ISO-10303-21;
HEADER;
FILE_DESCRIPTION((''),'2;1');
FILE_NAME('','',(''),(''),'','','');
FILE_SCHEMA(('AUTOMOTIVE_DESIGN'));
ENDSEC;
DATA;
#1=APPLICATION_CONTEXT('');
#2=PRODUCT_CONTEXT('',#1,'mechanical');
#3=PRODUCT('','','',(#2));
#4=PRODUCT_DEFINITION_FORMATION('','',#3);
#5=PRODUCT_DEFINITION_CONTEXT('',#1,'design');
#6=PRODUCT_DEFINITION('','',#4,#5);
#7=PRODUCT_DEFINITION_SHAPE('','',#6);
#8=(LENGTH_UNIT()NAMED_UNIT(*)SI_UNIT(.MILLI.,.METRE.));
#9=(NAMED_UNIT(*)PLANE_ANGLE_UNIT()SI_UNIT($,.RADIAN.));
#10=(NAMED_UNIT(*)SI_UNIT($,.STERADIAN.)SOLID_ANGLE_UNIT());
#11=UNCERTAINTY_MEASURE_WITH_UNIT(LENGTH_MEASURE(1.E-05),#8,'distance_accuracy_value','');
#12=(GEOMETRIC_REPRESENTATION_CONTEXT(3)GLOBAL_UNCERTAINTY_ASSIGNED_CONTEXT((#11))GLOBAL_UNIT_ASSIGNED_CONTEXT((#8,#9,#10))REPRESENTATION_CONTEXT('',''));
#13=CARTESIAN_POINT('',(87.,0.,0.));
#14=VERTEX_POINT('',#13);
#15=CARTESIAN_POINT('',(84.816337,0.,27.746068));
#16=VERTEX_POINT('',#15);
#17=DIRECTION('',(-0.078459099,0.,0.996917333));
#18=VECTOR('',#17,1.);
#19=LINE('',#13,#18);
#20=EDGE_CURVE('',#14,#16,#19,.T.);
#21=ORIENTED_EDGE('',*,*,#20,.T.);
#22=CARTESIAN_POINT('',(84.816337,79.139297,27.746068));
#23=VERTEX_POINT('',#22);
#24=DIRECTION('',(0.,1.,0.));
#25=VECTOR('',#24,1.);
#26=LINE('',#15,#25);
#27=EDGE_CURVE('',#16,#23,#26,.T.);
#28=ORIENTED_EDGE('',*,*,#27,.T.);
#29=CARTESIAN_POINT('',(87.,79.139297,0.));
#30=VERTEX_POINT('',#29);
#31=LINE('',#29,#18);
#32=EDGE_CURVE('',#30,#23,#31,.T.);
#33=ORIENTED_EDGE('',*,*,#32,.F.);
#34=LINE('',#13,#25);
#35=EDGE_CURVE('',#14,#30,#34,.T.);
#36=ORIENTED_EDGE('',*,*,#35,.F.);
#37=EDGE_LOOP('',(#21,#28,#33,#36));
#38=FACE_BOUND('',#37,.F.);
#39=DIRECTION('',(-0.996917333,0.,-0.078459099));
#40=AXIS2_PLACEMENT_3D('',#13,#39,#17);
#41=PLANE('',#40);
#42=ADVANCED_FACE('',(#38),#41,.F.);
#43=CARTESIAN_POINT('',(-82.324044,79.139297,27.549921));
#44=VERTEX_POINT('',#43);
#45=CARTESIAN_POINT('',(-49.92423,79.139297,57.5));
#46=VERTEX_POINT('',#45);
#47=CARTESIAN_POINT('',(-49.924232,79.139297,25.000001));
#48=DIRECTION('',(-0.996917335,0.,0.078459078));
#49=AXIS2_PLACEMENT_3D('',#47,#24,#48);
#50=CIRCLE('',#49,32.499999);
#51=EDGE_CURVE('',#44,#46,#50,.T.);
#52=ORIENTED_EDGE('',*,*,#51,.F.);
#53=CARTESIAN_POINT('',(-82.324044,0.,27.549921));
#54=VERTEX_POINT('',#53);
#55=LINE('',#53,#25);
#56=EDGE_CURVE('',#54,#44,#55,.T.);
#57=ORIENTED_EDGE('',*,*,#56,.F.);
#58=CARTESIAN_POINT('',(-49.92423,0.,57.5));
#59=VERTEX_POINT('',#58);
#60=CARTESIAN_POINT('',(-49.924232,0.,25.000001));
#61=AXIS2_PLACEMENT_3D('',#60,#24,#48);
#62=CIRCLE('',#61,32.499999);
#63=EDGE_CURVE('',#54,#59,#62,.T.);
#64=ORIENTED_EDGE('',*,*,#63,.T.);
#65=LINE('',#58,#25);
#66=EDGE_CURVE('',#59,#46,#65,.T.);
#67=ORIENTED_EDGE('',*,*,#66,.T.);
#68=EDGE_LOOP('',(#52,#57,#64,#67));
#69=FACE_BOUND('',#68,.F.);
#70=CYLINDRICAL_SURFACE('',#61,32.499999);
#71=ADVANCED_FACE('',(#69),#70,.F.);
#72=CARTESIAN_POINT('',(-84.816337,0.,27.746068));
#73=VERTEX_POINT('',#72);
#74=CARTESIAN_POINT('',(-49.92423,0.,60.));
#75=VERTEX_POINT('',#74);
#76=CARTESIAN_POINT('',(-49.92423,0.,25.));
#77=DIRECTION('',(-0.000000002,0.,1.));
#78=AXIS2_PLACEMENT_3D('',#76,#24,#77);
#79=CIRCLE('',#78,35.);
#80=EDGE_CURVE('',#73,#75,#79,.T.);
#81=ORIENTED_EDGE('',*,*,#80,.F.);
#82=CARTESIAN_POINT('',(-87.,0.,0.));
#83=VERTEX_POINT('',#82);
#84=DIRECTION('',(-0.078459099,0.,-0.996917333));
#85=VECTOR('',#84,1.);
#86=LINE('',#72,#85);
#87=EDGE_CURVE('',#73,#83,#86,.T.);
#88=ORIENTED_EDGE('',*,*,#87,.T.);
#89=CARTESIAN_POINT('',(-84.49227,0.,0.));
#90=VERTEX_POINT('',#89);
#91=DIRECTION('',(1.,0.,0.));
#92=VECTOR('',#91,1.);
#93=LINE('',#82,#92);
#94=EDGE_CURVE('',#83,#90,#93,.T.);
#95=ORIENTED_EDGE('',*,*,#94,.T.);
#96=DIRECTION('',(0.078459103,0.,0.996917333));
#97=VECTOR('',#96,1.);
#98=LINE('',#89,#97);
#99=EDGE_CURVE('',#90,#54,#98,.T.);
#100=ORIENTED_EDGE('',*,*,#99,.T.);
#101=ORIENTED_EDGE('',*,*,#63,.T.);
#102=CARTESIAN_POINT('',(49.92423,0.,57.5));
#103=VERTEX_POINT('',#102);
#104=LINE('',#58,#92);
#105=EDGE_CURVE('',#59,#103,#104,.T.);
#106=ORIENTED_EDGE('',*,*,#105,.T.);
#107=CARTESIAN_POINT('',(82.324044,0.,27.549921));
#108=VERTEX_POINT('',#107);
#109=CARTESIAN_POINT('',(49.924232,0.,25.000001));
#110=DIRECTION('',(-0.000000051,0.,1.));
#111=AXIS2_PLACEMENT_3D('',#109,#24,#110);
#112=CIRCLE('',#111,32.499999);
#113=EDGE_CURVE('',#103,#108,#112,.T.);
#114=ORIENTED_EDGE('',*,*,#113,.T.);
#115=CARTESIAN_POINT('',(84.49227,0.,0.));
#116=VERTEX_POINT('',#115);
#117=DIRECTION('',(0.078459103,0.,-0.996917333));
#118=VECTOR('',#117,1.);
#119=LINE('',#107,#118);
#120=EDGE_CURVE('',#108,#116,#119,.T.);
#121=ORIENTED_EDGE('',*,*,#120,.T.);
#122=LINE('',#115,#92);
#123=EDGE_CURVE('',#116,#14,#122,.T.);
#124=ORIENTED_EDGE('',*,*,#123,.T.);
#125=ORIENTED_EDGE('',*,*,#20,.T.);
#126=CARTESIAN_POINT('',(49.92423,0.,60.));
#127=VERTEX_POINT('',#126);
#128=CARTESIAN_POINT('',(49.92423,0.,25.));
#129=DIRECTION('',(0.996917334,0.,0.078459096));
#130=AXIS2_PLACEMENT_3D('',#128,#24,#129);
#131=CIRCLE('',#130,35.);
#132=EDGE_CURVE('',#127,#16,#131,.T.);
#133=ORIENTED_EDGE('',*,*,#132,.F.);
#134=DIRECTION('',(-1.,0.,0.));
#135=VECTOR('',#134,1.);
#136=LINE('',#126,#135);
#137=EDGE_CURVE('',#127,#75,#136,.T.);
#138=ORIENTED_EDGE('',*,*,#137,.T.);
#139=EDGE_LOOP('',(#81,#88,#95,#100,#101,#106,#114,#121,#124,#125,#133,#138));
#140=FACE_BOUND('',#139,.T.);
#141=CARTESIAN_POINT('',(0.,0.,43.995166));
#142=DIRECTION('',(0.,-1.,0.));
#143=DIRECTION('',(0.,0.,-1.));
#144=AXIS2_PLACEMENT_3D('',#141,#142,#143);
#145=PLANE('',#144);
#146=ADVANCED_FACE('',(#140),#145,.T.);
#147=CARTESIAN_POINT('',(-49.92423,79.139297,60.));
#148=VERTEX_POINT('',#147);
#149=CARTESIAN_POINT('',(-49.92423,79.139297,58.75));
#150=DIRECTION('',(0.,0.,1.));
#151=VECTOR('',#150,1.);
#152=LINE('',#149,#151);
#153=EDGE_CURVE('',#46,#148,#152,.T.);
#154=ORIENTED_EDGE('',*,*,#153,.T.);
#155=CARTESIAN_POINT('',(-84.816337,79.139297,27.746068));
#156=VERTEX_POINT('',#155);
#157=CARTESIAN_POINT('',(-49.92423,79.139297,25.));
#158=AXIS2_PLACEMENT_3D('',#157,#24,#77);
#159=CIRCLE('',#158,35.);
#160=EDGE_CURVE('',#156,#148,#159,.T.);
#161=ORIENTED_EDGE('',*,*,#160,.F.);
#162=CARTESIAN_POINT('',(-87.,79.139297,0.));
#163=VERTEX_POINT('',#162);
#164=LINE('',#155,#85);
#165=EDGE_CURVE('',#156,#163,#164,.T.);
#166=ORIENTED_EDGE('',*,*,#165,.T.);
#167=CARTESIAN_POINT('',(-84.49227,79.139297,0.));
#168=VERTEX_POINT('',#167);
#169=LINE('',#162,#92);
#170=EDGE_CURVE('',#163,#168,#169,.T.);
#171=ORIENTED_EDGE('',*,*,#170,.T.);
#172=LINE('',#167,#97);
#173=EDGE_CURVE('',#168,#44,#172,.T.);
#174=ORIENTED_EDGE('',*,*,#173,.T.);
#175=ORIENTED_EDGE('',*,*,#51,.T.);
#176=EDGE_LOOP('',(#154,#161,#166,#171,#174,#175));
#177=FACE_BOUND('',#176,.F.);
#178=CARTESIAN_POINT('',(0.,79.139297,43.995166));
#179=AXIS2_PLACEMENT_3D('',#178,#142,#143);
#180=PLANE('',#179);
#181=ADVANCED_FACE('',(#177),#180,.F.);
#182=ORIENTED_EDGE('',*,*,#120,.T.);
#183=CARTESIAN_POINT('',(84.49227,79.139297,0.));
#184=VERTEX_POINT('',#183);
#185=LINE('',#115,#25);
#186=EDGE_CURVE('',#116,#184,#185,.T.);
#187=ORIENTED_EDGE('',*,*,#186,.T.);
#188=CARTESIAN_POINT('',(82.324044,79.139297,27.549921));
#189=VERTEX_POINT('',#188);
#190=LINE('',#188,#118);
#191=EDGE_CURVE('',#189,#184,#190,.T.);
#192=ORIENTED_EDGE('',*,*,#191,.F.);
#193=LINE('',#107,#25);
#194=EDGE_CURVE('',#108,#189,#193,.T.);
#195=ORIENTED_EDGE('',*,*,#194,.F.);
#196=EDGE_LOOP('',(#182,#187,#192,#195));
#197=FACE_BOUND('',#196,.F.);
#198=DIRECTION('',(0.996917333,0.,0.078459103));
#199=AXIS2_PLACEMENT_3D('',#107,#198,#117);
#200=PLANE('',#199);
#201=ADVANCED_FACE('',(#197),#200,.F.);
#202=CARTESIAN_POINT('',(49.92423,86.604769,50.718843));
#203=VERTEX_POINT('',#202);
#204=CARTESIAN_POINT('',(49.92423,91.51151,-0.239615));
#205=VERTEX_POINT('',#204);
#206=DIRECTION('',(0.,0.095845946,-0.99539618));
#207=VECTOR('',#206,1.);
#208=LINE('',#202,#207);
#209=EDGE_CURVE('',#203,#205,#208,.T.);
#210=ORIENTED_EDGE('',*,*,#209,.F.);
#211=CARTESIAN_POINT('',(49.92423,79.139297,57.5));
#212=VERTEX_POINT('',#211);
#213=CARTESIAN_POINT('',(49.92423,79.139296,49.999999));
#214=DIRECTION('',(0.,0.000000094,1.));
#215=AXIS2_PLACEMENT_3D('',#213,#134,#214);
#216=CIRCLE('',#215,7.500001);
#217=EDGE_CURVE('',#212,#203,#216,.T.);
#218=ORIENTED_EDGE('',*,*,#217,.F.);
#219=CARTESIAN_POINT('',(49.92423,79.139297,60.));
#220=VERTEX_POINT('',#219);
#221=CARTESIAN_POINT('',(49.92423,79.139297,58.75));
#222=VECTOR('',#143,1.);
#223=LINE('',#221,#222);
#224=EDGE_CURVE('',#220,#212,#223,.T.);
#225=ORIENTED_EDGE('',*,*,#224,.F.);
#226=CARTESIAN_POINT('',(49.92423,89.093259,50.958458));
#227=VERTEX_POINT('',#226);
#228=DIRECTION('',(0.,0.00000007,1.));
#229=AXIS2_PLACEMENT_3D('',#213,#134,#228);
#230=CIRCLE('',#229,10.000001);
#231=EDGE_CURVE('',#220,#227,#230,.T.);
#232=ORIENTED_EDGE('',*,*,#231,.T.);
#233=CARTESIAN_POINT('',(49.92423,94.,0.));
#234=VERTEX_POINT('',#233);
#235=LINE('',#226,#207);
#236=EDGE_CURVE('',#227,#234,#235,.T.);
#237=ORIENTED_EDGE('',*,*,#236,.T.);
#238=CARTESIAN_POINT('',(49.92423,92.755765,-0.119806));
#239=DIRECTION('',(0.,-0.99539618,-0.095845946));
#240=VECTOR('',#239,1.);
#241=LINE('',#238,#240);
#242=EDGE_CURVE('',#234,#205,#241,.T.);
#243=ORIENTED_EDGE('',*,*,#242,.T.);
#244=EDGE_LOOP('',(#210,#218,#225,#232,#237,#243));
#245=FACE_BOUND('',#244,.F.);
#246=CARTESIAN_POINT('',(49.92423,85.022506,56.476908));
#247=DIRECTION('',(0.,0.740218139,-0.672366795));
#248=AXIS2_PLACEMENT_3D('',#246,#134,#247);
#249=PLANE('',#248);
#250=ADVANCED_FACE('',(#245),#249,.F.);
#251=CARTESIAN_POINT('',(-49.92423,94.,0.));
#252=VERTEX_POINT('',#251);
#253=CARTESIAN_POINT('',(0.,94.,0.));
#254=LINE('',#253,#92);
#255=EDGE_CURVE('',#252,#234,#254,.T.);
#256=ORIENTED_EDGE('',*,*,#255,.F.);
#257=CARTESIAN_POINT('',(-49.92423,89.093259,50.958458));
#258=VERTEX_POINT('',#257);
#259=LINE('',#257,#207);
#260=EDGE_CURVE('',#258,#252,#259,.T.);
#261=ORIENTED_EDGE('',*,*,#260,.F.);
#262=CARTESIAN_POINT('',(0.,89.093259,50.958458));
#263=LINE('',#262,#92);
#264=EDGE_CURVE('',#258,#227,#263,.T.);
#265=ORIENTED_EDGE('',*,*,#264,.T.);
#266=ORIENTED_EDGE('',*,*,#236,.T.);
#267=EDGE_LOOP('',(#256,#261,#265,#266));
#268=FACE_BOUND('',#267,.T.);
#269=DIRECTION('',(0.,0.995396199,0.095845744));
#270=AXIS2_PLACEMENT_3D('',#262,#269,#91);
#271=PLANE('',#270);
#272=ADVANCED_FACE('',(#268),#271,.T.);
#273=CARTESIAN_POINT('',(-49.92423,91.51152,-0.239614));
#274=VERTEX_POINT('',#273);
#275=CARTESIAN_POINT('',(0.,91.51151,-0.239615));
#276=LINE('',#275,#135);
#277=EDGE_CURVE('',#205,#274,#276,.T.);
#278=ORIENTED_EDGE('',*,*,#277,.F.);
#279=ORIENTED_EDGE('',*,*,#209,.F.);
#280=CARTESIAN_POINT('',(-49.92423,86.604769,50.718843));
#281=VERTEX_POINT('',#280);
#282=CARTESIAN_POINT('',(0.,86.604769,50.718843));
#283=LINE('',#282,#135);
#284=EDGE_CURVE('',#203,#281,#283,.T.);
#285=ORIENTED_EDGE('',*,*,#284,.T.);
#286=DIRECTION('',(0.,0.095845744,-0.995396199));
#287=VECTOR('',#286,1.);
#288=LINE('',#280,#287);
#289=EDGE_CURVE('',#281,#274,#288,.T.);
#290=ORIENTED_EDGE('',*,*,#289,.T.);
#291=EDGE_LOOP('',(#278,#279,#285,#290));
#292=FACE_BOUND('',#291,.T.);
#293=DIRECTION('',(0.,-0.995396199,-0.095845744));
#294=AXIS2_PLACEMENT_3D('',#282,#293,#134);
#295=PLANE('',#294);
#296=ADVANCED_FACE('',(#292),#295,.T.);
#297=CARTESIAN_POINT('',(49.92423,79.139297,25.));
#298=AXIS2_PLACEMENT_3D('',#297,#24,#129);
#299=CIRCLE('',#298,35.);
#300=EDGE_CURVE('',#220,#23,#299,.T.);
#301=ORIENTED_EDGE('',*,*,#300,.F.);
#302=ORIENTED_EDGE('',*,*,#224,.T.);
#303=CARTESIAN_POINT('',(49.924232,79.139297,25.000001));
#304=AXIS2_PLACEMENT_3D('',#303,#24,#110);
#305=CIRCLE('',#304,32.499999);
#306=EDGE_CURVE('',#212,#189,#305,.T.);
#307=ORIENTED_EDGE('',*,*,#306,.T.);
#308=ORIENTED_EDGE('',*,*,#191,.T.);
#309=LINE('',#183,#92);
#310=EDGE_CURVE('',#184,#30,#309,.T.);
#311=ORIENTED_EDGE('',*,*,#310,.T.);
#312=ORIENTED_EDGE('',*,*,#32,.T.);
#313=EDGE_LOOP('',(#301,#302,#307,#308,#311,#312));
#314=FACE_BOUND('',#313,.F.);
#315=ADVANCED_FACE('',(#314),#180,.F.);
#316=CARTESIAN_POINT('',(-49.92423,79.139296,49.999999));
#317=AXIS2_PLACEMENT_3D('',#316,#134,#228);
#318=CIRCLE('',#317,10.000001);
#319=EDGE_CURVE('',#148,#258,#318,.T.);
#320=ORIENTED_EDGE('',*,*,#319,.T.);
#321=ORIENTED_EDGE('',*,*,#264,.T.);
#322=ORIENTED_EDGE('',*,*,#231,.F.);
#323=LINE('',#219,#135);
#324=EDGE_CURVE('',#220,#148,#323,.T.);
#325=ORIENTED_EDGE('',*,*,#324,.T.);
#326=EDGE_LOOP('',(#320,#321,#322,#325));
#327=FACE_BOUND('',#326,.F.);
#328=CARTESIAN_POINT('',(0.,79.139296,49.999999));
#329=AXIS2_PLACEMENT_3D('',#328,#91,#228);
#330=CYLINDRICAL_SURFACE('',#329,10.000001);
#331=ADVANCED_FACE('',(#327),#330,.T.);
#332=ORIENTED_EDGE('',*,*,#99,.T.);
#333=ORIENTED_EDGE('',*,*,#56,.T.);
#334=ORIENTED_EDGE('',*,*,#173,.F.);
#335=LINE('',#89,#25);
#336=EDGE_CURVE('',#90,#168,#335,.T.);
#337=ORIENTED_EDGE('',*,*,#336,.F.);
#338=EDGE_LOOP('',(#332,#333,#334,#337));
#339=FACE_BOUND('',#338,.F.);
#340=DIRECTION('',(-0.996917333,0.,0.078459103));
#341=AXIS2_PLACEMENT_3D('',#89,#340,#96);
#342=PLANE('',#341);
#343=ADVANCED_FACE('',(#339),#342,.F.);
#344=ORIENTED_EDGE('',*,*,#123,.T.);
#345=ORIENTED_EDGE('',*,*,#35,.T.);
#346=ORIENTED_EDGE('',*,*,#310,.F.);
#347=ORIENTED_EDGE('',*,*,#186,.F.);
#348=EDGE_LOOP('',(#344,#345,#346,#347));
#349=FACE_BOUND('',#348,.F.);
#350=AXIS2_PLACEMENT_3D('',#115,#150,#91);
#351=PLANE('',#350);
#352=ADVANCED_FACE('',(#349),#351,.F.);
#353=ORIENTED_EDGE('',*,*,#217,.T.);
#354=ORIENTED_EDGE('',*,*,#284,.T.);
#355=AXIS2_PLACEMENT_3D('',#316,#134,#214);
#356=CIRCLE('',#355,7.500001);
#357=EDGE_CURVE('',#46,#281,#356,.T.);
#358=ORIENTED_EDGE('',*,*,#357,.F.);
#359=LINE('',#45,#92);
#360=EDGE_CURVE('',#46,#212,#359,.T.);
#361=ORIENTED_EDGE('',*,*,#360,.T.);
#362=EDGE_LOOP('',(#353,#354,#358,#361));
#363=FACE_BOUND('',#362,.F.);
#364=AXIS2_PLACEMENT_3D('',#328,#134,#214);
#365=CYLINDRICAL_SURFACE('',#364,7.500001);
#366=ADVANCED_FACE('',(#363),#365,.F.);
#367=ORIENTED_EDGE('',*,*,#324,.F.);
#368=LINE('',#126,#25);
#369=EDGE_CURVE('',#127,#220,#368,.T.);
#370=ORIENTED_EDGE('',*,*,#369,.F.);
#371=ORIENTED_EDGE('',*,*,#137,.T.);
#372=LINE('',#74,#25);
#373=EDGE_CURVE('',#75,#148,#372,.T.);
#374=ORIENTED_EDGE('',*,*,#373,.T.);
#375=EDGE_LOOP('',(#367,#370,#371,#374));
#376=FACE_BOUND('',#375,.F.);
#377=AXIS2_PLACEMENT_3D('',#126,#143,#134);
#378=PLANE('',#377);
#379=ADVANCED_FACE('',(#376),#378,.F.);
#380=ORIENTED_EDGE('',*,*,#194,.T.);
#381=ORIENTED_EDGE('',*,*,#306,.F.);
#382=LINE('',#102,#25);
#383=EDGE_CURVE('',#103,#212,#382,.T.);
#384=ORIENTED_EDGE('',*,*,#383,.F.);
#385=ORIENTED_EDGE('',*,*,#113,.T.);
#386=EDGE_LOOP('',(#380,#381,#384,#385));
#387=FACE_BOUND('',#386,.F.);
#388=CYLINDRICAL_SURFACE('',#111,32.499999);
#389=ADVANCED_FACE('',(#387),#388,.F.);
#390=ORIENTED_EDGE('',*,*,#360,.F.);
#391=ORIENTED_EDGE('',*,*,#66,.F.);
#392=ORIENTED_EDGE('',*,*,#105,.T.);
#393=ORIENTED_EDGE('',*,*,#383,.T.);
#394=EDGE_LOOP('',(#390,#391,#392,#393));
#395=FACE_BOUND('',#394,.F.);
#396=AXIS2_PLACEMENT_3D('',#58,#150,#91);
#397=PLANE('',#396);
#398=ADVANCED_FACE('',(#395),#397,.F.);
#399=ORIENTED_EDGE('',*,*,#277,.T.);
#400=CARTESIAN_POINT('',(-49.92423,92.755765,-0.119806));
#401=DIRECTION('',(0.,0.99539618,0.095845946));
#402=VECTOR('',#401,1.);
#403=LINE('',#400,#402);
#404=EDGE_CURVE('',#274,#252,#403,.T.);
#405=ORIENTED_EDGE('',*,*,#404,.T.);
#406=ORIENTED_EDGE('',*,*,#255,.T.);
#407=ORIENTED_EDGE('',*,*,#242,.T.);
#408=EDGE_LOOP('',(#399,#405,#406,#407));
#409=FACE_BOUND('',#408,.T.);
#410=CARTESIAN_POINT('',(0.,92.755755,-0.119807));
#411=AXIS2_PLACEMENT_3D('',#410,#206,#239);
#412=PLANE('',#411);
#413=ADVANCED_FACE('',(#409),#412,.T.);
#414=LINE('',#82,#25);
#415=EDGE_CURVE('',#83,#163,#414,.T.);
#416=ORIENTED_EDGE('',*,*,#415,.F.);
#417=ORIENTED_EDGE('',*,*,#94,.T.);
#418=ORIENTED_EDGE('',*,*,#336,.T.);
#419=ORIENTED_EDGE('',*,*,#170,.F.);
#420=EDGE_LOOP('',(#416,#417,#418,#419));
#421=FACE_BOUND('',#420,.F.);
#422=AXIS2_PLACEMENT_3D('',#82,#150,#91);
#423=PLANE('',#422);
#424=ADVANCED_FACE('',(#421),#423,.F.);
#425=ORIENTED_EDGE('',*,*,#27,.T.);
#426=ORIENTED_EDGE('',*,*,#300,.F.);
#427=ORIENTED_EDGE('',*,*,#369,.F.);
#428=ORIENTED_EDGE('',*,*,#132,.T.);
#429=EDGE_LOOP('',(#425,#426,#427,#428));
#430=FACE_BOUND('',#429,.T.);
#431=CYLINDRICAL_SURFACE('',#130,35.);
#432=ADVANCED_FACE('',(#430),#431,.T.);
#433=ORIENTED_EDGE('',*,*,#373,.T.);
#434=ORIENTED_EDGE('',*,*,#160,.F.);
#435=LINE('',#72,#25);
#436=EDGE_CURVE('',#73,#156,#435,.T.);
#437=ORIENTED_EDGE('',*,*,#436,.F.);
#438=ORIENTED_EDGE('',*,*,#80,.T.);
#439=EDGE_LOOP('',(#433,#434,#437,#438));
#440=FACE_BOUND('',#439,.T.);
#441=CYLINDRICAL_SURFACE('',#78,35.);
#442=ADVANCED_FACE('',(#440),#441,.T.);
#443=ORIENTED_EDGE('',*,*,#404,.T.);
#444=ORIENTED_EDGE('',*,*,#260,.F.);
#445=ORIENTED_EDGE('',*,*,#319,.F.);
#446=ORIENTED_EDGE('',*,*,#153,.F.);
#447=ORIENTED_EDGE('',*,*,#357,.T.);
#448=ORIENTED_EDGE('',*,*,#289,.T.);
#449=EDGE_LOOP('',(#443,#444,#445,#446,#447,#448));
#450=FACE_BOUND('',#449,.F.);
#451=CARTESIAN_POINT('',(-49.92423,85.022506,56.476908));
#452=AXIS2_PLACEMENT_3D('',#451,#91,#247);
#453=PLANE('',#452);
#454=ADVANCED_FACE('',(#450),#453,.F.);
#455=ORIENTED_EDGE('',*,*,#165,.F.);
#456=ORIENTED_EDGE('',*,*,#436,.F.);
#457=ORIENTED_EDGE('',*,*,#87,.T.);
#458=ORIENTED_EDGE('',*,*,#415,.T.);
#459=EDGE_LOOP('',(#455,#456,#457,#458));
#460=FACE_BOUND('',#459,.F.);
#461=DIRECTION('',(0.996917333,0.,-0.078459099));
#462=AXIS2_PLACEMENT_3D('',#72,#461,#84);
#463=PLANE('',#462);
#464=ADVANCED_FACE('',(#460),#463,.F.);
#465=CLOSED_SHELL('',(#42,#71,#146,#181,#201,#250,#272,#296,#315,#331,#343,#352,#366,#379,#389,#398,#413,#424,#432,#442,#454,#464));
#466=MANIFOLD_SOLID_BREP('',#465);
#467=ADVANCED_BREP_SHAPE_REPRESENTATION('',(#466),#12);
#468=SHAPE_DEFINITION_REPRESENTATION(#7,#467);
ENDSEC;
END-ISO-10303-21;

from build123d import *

# Parameters (mm, degrees)
F4_W = 99.84846
F4_H = 2.5


with BuildPart() as f3:
    # F3: sweep along a path in F2
    with BuildLine(Plane.YZ) as f3_path:
        Line((0, 60), (79.139297, 60))
    # F0 (on Front) → F3 (sweep)
    with BuildSketch(Plane.XZ):
        with BuildLine():
            Line((-84.816337, 27.746068), (-87, 0))
            Line((-87, 0), (-84.49227, 0))
            Line((-84.49227, 0), (-82.324044, 27.549921))
            ThreePointArc((-82.324044, 27.549921), (-71.985255, 48.865482), (-49.92423, 57.5))
            Line((-49.92423, 57.5), (0, 57.5))
            Line((0, 57.5), (49.92423, 57.5))
            ThreePointArc((49.92423, 57.5), (71.985255, 48.865482), (82.324044, 27.549921))
            Line((82.324044, 27.549921), (84.49227, 0))
            Line((84.49227, 0), (87, 0))
            Line((87, 0), (84.816337, 27.746068))
            ThreePointArc((84.816337, 27.746068), (73.682256, 50.701288), (49.92423, 60))
            Line((49.92423, 60), (0, 60))
            Line((0, 60), (-49.92423, 60))
            ThreePointArc((-49.92423, 60), (-73.682256, 50.701288), (-84.816337, 27.746068))
        make_face()
    sweep(path=f3_path.line)

    # F5: sweep along a path in F2
    with BuildLine(Plane.YZ) as f5_path:
        ThreePointArc((79.139297, 60), (85.862965, 57.402181), (89.093259, 50.958458))
        Line((89.093259, 50.958458), (94, 0))
    # F4 (on face) → F5 (sweep)
    with BuildSketch(Plane(origin=(0, 79.139297, 0), x_dir=(-1, 0, 0), z_dir=(0, 1, 0))):
        with Locations((0, 58.75)):
            Rectangle(F4_W, F4_H)
    sweep(path=f5_path.line)


solid = f3.part
